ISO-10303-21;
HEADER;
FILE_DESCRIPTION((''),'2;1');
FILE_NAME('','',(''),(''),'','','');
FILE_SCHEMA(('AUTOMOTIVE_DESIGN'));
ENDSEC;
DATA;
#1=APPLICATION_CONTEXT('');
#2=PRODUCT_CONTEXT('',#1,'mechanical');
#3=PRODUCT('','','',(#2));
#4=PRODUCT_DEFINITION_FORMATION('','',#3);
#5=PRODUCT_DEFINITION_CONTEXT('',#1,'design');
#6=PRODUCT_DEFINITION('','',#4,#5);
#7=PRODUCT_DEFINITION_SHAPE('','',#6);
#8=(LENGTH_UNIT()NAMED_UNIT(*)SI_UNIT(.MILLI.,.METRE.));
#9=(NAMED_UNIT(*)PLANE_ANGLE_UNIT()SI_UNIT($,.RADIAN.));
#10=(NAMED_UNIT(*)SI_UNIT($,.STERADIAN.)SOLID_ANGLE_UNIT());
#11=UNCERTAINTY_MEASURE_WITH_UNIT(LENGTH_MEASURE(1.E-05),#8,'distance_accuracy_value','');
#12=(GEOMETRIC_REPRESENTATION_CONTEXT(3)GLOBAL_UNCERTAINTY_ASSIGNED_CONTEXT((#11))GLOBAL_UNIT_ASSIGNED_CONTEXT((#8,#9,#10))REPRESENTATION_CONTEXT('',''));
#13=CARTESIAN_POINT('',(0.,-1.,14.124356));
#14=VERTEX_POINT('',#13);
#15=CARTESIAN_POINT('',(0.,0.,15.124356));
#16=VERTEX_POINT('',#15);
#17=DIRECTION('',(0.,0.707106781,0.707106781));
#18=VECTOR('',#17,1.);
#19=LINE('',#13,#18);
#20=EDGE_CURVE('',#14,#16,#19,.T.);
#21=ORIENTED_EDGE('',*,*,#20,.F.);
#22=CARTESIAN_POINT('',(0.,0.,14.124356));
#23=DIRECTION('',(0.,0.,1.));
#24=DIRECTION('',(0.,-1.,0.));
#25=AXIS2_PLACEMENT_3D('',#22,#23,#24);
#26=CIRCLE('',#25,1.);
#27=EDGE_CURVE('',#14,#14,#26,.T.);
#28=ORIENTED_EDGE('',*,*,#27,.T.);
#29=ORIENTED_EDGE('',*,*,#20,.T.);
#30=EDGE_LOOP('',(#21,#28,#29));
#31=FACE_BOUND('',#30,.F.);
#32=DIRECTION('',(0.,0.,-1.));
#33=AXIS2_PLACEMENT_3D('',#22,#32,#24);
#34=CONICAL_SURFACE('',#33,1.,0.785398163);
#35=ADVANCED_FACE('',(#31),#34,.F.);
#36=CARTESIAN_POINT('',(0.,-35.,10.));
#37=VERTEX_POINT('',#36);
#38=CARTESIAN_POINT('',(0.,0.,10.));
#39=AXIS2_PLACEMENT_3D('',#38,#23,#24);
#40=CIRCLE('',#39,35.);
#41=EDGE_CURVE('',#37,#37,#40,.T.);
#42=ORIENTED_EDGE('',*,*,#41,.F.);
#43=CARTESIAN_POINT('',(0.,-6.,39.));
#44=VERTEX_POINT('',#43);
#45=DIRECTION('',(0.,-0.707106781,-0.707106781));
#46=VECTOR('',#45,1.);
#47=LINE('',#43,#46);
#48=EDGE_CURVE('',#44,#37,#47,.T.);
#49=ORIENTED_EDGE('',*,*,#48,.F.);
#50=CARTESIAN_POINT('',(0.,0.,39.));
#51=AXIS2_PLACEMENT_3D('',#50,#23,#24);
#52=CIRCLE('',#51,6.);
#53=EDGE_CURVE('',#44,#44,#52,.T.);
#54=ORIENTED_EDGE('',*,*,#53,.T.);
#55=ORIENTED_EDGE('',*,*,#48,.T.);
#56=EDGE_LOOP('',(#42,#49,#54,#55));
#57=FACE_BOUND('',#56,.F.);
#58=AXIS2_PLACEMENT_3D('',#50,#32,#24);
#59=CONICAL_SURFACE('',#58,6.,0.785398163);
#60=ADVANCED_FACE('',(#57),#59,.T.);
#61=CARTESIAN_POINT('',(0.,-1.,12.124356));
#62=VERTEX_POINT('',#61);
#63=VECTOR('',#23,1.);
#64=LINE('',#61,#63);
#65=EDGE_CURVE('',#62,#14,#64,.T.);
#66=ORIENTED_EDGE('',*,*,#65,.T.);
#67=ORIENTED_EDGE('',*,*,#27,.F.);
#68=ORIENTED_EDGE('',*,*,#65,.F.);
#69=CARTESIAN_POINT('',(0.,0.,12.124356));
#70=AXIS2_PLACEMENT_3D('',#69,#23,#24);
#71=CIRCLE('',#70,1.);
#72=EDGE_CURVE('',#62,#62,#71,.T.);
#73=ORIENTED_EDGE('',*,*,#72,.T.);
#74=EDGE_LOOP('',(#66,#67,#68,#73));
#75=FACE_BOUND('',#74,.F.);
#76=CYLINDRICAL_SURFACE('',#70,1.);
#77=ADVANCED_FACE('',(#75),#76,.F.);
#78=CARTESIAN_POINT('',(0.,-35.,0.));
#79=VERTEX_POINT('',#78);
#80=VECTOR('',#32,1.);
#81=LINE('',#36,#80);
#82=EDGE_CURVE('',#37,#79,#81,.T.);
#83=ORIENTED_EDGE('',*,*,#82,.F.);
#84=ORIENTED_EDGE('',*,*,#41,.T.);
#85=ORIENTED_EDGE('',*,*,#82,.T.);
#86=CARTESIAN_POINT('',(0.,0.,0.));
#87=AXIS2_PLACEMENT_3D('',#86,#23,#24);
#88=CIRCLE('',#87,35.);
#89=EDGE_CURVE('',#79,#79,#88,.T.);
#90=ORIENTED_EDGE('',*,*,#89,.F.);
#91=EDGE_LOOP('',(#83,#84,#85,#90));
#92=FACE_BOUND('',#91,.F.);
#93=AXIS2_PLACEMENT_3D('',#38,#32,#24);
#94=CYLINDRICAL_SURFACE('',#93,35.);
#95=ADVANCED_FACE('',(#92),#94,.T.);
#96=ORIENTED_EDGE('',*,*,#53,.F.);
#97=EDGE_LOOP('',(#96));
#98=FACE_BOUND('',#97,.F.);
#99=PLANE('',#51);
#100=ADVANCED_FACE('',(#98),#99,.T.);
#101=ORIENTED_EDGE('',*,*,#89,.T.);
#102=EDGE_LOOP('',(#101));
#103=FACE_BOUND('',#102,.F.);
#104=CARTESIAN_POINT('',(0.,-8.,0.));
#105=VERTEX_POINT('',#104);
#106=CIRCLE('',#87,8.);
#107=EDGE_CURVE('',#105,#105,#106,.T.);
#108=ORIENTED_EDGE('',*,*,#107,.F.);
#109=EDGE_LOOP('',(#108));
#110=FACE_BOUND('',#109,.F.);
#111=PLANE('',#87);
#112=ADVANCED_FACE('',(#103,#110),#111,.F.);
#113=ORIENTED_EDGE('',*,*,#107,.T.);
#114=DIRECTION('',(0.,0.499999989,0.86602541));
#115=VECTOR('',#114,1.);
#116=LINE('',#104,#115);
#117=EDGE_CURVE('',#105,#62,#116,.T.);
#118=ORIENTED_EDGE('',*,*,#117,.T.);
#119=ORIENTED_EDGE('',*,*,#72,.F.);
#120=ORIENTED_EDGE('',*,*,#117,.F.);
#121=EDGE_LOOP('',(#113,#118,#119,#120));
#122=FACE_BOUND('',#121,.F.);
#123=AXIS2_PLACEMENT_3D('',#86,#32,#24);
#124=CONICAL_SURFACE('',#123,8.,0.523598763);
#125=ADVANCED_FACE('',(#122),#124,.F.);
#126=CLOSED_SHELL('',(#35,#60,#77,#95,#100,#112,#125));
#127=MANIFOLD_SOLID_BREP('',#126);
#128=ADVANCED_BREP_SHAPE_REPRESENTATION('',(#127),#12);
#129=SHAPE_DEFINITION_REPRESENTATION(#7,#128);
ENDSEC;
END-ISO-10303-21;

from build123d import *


with BuildPart() as part:
    # Sketch → Revolution (revolve)
    with BuildSketch(Plane.YZ):
        Polygon((0, 39), (-6, 39), (-35, 10), (-35, 0), (-8, 0), (-1, 12.124356), (-1, 14.124356), (0, 15.124356), align=None)
    revolve(axis=Axis((0, 0, 0), (0, 0, 1)))


solid = part.part
